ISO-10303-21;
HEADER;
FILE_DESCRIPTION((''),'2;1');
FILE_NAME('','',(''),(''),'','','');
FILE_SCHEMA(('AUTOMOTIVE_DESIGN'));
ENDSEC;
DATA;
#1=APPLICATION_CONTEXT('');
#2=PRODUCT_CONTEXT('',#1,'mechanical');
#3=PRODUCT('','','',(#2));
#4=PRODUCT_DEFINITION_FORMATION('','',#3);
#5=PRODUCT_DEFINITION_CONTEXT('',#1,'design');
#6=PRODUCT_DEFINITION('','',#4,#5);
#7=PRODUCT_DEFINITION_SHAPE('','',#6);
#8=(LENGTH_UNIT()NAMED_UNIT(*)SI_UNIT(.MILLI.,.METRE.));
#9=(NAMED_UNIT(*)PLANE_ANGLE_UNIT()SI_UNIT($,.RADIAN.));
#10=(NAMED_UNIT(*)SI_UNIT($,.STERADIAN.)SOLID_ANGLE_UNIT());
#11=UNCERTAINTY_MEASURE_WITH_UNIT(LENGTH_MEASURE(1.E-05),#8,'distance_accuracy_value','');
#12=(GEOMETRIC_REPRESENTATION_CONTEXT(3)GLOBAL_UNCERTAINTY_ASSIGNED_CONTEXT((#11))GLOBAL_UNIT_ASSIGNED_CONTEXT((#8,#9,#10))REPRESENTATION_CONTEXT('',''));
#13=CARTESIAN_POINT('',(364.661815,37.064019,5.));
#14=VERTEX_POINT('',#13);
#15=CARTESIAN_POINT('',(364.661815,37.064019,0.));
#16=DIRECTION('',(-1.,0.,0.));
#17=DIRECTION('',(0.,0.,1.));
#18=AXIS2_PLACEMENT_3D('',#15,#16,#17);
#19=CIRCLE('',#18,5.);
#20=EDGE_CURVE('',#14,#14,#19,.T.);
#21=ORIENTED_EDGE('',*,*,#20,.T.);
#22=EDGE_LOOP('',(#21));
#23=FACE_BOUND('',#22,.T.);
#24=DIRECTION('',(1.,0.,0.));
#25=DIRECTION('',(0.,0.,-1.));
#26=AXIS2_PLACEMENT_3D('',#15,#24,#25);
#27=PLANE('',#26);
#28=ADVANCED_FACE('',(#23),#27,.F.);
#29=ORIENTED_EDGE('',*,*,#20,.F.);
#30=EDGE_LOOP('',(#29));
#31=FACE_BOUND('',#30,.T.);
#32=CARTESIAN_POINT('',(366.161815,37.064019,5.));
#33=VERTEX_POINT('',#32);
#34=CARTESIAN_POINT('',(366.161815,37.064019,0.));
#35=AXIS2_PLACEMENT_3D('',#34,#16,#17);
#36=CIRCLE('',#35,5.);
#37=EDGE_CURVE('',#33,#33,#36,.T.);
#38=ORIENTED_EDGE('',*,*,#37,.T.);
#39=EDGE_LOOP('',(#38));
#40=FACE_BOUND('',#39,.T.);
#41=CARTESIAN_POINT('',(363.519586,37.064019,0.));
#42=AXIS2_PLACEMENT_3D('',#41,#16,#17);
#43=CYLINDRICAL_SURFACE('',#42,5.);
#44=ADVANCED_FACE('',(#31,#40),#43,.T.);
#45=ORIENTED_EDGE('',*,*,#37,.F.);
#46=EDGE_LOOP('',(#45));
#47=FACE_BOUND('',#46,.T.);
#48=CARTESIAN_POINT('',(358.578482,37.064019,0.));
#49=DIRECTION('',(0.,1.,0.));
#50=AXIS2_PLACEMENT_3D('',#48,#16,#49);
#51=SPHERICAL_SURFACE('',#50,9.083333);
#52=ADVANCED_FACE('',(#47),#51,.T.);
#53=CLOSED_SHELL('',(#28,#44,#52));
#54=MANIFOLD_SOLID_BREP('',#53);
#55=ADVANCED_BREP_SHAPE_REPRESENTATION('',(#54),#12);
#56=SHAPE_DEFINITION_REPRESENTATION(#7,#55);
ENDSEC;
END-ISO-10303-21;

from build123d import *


with BuildPart() as part:
    # 草图1 → 旋转1 (revolve)
    with BuildSketch(Plane.XY):
        with BuildLine():
            Line((364.661815465, 37.064018954), (364.661815465, 42.064018954))
            Line((364.661815465, 42.064018954), (366.161815465, 42.064018954))
            ThreePointArc((366.161815465, 42.064018954), (367.278737556, 39.674095582), (367.661815465, 37.064018954))
            Line((367.661815465, 37.064018954), (364.661815465, 37.064018954))
        make_face()
    revolve(axis=Axis((363.519585773, 37.064018954, 0), (1, 0, 0)))


solid = part.part
